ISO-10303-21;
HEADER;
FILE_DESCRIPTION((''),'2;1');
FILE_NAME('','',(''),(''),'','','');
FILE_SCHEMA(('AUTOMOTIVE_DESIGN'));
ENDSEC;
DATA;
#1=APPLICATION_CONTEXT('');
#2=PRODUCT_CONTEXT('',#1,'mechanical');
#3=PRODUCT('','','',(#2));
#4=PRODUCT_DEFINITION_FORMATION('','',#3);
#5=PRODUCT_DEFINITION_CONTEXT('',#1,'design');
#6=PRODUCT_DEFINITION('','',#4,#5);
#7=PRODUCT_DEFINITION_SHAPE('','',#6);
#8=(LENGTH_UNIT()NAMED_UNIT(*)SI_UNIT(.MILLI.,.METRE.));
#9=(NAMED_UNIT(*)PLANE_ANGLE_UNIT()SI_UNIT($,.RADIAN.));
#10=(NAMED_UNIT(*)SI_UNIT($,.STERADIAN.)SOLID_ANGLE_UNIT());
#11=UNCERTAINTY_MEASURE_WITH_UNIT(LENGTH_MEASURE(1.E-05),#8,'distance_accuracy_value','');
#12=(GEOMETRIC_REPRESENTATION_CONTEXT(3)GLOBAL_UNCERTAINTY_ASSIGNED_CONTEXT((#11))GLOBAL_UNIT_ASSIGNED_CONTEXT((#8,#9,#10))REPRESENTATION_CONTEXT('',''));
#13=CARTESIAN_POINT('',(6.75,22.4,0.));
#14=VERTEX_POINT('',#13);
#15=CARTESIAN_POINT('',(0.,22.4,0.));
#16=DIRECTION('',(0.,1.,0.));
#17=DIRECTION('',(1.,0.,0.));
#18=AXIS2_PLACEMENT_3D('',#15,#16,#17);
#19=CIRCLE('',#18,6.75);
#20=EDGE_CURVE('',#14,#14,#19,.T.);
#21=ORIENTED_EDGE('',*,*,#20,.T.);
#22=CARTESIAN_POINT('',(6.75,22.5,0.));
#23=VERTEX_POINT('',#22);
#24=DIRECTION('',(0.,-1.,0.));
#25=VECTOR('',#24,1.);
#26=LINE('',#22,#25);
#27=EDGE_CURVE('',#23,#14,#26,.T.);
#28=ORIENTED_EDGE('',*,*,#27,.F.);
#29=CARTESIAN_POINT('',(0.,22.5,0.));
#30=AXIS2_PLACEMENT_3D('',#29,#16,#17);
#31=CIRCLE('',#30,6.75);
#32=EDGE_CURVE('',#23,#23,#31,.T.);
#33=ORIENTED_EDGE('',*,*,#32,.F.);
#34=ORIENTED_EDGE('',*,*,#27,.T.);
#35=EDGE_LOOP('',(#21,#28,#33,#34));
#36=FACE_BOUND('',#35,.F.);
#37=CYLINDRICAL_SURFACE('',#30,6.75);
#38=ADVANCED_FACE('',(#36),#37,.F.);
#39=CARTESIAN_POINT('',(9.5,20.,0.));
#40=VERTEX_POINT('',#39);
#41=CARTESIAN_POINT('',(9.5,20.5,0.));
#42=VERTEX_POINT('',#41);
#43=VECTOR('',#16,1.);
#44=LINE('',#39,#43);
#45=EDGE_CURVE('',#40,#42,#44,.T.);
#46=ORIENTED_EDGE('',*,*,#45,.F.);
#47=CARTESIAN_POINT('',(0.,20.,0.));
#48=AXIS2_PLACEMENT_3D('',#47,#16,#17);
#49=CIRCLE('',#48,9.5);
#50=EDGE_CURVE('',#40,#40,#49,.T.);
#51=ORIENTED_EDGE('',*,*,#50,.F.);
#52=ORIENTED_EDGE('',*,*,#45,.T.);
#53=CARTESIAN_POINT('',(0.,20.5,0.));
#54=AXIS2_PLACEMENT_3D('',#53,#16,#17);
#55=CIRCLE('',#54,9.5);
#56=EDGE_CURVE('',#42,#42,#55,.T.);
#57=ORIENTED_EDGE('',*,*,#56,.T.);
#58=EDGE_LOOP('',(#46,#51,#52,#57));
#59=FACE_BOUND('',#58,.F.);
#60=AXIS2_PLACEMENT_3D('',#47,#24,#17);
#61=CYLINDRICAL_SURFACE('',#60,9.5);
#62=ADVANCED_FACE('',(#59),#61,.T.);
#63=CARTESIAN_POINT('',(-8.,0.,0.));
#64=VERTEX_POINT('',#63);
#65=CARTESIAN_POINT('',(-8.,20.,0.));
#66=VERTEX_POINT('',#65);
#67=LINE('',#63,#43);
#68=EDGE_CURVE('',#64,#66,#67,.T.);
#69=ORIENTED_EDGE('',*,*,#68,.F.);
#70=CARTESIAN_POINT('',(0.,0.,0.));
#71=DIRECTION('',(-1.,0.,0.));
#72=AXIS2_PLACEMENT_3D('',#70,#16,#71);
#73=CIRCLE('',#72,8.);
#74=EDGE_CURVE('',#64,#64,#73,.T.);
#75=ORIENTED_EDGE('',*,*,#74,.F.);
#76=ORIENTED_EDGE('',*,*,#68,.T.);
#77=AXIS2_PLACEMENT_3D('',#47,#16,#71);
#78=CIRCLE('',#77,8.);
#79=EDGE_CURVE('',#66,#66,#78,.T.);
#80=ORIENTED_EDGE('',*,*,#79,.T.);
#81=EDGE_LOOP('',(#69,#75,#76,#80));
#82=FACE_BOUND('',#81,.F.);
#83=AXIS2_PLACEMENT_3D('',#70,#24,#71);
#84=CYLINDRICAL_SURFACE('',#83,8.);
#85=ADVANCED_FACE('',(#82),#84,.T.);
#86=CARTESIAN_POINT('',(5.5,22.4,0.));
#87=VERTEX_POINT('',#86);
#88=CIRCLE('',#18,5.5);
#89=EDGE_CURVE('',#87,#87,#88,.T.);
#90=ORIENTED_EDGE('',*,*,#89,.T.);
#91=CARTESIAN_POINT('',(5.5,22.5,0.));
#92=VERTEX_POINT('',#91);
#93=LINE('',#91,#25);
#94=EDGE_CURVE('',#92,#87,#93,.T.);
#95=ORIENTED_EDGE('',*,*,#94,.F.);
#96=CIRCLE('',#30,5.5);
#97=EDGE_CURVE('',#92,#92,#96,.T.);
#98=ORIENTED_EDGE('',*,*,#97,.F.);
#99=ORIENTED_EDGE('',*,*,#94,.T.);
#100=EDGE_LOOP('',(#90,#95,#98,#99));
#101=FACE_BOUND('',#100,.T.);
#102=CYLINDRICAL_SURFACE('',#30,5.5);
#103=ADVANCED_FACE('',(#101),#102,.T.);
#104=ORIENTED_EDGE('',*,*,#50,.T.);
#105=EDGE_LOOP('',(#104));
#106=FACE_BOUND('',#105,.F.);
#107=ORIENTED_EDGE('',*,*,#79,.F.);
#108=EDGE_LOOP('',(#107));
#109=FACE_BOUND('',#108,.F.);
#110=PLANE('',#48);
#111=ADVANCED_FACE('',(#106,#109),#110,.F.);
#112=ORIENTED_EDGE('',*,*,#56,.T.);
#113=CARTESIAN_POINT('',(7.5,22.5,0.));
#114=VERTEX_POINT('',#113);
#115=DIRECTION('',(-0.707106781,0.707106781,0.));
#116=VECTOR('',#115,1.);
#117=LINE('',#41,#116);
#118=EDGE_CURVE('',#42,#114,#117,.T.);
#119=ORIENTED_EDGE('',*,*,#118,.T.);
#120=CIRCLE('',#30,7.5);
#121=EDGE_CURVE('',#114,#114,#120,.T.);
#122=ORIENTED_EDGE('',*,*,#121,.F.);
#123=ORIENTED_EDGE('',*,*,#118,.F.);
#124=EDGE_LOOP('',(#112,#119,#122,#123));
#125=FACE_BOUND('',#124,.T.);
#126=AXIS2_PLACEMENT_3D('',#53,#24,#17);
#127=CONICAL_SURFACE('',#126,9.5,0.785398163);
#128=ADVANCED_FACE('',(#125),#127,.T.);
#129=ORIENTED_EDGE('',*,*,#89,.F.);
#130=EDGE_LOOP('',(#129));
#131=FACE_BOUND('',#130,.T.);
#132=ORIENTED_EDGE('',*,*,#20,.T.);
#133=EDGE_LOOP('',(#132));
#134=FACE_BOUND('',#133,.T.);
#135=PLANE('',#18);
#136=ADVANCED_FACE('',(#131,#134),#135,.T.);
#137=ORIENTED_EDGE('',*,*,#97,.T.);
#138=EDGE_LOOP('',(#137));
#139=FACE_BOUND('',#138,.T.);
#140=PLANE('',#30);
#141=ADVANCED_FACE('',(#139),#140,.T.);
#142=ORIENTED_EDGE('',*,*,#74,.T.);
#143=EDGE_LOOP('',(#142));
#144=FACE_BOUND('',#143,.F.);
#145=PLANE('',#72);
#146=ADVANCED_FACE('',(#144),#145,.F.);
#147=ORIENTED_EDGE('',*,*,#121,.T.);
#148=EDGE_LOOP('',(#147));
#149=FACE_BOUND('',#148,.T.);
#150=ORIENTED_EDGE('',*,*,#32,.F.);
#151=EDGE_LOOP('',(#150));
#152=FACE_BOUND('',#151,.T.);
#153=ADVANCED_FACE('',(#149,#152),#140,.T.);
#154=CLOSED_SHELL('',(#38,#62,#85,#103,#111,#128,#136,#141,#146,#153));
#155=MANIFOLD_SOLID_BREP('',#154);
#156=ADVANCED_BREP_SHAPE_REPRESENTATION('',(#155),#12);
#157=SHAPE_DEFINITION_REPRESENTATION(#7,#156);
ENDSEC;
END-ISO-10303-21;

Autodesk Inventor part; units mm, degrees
ref_plane "YZ Plane" through (0, 0, 0) normal (1, 0, 0) x (0, 1, 0)
ref_plane "XZ Plane" through (0, 0, 0) normal (0, 1, 0) x (-1, 0, 0)
ref_plane "XY Plane" through (0, 0, 0) normal (0, 0, 1) x (1, 0, 0)
sketch "Sketch1" plane through (0, 0, 0) normal (0, 1, 0) x (-1, 0, 0)
  circle A0 centre (0, 0) radius 8
  dimension "d0" = 16
extrude "Extrusion1" add sketch "Sketch1" along normal blind 20
sketch "Sketch2" plane through (0, 20, 0) normal (0, 1, 0) x (1, 0, 0)
  circle A0 centre (0, 0) radius 9.5
  dimension "d3" = 19
extrude "Extrusion2" add sketch "Sketch2" along normal blind 2.5
chamfer "Chamfer1" distance 2 angle 45 1 edges at (-9.5, 22.5, 0)
sketch "Sketch3" plane through (0, 22.5, 0) normal (0, 1, 0) x (1, 0, 0)
  circle A0 centre (0, 0) radius 5.5
  circle A1 centre (0, 0) radius 6.75
  dimension "d9" = 11
  dimension "d10" = 13.5
extrude "Extrusion3" cut sketch "Sketch3" against normal blind 0.1
properties part number "16mm_switch"
